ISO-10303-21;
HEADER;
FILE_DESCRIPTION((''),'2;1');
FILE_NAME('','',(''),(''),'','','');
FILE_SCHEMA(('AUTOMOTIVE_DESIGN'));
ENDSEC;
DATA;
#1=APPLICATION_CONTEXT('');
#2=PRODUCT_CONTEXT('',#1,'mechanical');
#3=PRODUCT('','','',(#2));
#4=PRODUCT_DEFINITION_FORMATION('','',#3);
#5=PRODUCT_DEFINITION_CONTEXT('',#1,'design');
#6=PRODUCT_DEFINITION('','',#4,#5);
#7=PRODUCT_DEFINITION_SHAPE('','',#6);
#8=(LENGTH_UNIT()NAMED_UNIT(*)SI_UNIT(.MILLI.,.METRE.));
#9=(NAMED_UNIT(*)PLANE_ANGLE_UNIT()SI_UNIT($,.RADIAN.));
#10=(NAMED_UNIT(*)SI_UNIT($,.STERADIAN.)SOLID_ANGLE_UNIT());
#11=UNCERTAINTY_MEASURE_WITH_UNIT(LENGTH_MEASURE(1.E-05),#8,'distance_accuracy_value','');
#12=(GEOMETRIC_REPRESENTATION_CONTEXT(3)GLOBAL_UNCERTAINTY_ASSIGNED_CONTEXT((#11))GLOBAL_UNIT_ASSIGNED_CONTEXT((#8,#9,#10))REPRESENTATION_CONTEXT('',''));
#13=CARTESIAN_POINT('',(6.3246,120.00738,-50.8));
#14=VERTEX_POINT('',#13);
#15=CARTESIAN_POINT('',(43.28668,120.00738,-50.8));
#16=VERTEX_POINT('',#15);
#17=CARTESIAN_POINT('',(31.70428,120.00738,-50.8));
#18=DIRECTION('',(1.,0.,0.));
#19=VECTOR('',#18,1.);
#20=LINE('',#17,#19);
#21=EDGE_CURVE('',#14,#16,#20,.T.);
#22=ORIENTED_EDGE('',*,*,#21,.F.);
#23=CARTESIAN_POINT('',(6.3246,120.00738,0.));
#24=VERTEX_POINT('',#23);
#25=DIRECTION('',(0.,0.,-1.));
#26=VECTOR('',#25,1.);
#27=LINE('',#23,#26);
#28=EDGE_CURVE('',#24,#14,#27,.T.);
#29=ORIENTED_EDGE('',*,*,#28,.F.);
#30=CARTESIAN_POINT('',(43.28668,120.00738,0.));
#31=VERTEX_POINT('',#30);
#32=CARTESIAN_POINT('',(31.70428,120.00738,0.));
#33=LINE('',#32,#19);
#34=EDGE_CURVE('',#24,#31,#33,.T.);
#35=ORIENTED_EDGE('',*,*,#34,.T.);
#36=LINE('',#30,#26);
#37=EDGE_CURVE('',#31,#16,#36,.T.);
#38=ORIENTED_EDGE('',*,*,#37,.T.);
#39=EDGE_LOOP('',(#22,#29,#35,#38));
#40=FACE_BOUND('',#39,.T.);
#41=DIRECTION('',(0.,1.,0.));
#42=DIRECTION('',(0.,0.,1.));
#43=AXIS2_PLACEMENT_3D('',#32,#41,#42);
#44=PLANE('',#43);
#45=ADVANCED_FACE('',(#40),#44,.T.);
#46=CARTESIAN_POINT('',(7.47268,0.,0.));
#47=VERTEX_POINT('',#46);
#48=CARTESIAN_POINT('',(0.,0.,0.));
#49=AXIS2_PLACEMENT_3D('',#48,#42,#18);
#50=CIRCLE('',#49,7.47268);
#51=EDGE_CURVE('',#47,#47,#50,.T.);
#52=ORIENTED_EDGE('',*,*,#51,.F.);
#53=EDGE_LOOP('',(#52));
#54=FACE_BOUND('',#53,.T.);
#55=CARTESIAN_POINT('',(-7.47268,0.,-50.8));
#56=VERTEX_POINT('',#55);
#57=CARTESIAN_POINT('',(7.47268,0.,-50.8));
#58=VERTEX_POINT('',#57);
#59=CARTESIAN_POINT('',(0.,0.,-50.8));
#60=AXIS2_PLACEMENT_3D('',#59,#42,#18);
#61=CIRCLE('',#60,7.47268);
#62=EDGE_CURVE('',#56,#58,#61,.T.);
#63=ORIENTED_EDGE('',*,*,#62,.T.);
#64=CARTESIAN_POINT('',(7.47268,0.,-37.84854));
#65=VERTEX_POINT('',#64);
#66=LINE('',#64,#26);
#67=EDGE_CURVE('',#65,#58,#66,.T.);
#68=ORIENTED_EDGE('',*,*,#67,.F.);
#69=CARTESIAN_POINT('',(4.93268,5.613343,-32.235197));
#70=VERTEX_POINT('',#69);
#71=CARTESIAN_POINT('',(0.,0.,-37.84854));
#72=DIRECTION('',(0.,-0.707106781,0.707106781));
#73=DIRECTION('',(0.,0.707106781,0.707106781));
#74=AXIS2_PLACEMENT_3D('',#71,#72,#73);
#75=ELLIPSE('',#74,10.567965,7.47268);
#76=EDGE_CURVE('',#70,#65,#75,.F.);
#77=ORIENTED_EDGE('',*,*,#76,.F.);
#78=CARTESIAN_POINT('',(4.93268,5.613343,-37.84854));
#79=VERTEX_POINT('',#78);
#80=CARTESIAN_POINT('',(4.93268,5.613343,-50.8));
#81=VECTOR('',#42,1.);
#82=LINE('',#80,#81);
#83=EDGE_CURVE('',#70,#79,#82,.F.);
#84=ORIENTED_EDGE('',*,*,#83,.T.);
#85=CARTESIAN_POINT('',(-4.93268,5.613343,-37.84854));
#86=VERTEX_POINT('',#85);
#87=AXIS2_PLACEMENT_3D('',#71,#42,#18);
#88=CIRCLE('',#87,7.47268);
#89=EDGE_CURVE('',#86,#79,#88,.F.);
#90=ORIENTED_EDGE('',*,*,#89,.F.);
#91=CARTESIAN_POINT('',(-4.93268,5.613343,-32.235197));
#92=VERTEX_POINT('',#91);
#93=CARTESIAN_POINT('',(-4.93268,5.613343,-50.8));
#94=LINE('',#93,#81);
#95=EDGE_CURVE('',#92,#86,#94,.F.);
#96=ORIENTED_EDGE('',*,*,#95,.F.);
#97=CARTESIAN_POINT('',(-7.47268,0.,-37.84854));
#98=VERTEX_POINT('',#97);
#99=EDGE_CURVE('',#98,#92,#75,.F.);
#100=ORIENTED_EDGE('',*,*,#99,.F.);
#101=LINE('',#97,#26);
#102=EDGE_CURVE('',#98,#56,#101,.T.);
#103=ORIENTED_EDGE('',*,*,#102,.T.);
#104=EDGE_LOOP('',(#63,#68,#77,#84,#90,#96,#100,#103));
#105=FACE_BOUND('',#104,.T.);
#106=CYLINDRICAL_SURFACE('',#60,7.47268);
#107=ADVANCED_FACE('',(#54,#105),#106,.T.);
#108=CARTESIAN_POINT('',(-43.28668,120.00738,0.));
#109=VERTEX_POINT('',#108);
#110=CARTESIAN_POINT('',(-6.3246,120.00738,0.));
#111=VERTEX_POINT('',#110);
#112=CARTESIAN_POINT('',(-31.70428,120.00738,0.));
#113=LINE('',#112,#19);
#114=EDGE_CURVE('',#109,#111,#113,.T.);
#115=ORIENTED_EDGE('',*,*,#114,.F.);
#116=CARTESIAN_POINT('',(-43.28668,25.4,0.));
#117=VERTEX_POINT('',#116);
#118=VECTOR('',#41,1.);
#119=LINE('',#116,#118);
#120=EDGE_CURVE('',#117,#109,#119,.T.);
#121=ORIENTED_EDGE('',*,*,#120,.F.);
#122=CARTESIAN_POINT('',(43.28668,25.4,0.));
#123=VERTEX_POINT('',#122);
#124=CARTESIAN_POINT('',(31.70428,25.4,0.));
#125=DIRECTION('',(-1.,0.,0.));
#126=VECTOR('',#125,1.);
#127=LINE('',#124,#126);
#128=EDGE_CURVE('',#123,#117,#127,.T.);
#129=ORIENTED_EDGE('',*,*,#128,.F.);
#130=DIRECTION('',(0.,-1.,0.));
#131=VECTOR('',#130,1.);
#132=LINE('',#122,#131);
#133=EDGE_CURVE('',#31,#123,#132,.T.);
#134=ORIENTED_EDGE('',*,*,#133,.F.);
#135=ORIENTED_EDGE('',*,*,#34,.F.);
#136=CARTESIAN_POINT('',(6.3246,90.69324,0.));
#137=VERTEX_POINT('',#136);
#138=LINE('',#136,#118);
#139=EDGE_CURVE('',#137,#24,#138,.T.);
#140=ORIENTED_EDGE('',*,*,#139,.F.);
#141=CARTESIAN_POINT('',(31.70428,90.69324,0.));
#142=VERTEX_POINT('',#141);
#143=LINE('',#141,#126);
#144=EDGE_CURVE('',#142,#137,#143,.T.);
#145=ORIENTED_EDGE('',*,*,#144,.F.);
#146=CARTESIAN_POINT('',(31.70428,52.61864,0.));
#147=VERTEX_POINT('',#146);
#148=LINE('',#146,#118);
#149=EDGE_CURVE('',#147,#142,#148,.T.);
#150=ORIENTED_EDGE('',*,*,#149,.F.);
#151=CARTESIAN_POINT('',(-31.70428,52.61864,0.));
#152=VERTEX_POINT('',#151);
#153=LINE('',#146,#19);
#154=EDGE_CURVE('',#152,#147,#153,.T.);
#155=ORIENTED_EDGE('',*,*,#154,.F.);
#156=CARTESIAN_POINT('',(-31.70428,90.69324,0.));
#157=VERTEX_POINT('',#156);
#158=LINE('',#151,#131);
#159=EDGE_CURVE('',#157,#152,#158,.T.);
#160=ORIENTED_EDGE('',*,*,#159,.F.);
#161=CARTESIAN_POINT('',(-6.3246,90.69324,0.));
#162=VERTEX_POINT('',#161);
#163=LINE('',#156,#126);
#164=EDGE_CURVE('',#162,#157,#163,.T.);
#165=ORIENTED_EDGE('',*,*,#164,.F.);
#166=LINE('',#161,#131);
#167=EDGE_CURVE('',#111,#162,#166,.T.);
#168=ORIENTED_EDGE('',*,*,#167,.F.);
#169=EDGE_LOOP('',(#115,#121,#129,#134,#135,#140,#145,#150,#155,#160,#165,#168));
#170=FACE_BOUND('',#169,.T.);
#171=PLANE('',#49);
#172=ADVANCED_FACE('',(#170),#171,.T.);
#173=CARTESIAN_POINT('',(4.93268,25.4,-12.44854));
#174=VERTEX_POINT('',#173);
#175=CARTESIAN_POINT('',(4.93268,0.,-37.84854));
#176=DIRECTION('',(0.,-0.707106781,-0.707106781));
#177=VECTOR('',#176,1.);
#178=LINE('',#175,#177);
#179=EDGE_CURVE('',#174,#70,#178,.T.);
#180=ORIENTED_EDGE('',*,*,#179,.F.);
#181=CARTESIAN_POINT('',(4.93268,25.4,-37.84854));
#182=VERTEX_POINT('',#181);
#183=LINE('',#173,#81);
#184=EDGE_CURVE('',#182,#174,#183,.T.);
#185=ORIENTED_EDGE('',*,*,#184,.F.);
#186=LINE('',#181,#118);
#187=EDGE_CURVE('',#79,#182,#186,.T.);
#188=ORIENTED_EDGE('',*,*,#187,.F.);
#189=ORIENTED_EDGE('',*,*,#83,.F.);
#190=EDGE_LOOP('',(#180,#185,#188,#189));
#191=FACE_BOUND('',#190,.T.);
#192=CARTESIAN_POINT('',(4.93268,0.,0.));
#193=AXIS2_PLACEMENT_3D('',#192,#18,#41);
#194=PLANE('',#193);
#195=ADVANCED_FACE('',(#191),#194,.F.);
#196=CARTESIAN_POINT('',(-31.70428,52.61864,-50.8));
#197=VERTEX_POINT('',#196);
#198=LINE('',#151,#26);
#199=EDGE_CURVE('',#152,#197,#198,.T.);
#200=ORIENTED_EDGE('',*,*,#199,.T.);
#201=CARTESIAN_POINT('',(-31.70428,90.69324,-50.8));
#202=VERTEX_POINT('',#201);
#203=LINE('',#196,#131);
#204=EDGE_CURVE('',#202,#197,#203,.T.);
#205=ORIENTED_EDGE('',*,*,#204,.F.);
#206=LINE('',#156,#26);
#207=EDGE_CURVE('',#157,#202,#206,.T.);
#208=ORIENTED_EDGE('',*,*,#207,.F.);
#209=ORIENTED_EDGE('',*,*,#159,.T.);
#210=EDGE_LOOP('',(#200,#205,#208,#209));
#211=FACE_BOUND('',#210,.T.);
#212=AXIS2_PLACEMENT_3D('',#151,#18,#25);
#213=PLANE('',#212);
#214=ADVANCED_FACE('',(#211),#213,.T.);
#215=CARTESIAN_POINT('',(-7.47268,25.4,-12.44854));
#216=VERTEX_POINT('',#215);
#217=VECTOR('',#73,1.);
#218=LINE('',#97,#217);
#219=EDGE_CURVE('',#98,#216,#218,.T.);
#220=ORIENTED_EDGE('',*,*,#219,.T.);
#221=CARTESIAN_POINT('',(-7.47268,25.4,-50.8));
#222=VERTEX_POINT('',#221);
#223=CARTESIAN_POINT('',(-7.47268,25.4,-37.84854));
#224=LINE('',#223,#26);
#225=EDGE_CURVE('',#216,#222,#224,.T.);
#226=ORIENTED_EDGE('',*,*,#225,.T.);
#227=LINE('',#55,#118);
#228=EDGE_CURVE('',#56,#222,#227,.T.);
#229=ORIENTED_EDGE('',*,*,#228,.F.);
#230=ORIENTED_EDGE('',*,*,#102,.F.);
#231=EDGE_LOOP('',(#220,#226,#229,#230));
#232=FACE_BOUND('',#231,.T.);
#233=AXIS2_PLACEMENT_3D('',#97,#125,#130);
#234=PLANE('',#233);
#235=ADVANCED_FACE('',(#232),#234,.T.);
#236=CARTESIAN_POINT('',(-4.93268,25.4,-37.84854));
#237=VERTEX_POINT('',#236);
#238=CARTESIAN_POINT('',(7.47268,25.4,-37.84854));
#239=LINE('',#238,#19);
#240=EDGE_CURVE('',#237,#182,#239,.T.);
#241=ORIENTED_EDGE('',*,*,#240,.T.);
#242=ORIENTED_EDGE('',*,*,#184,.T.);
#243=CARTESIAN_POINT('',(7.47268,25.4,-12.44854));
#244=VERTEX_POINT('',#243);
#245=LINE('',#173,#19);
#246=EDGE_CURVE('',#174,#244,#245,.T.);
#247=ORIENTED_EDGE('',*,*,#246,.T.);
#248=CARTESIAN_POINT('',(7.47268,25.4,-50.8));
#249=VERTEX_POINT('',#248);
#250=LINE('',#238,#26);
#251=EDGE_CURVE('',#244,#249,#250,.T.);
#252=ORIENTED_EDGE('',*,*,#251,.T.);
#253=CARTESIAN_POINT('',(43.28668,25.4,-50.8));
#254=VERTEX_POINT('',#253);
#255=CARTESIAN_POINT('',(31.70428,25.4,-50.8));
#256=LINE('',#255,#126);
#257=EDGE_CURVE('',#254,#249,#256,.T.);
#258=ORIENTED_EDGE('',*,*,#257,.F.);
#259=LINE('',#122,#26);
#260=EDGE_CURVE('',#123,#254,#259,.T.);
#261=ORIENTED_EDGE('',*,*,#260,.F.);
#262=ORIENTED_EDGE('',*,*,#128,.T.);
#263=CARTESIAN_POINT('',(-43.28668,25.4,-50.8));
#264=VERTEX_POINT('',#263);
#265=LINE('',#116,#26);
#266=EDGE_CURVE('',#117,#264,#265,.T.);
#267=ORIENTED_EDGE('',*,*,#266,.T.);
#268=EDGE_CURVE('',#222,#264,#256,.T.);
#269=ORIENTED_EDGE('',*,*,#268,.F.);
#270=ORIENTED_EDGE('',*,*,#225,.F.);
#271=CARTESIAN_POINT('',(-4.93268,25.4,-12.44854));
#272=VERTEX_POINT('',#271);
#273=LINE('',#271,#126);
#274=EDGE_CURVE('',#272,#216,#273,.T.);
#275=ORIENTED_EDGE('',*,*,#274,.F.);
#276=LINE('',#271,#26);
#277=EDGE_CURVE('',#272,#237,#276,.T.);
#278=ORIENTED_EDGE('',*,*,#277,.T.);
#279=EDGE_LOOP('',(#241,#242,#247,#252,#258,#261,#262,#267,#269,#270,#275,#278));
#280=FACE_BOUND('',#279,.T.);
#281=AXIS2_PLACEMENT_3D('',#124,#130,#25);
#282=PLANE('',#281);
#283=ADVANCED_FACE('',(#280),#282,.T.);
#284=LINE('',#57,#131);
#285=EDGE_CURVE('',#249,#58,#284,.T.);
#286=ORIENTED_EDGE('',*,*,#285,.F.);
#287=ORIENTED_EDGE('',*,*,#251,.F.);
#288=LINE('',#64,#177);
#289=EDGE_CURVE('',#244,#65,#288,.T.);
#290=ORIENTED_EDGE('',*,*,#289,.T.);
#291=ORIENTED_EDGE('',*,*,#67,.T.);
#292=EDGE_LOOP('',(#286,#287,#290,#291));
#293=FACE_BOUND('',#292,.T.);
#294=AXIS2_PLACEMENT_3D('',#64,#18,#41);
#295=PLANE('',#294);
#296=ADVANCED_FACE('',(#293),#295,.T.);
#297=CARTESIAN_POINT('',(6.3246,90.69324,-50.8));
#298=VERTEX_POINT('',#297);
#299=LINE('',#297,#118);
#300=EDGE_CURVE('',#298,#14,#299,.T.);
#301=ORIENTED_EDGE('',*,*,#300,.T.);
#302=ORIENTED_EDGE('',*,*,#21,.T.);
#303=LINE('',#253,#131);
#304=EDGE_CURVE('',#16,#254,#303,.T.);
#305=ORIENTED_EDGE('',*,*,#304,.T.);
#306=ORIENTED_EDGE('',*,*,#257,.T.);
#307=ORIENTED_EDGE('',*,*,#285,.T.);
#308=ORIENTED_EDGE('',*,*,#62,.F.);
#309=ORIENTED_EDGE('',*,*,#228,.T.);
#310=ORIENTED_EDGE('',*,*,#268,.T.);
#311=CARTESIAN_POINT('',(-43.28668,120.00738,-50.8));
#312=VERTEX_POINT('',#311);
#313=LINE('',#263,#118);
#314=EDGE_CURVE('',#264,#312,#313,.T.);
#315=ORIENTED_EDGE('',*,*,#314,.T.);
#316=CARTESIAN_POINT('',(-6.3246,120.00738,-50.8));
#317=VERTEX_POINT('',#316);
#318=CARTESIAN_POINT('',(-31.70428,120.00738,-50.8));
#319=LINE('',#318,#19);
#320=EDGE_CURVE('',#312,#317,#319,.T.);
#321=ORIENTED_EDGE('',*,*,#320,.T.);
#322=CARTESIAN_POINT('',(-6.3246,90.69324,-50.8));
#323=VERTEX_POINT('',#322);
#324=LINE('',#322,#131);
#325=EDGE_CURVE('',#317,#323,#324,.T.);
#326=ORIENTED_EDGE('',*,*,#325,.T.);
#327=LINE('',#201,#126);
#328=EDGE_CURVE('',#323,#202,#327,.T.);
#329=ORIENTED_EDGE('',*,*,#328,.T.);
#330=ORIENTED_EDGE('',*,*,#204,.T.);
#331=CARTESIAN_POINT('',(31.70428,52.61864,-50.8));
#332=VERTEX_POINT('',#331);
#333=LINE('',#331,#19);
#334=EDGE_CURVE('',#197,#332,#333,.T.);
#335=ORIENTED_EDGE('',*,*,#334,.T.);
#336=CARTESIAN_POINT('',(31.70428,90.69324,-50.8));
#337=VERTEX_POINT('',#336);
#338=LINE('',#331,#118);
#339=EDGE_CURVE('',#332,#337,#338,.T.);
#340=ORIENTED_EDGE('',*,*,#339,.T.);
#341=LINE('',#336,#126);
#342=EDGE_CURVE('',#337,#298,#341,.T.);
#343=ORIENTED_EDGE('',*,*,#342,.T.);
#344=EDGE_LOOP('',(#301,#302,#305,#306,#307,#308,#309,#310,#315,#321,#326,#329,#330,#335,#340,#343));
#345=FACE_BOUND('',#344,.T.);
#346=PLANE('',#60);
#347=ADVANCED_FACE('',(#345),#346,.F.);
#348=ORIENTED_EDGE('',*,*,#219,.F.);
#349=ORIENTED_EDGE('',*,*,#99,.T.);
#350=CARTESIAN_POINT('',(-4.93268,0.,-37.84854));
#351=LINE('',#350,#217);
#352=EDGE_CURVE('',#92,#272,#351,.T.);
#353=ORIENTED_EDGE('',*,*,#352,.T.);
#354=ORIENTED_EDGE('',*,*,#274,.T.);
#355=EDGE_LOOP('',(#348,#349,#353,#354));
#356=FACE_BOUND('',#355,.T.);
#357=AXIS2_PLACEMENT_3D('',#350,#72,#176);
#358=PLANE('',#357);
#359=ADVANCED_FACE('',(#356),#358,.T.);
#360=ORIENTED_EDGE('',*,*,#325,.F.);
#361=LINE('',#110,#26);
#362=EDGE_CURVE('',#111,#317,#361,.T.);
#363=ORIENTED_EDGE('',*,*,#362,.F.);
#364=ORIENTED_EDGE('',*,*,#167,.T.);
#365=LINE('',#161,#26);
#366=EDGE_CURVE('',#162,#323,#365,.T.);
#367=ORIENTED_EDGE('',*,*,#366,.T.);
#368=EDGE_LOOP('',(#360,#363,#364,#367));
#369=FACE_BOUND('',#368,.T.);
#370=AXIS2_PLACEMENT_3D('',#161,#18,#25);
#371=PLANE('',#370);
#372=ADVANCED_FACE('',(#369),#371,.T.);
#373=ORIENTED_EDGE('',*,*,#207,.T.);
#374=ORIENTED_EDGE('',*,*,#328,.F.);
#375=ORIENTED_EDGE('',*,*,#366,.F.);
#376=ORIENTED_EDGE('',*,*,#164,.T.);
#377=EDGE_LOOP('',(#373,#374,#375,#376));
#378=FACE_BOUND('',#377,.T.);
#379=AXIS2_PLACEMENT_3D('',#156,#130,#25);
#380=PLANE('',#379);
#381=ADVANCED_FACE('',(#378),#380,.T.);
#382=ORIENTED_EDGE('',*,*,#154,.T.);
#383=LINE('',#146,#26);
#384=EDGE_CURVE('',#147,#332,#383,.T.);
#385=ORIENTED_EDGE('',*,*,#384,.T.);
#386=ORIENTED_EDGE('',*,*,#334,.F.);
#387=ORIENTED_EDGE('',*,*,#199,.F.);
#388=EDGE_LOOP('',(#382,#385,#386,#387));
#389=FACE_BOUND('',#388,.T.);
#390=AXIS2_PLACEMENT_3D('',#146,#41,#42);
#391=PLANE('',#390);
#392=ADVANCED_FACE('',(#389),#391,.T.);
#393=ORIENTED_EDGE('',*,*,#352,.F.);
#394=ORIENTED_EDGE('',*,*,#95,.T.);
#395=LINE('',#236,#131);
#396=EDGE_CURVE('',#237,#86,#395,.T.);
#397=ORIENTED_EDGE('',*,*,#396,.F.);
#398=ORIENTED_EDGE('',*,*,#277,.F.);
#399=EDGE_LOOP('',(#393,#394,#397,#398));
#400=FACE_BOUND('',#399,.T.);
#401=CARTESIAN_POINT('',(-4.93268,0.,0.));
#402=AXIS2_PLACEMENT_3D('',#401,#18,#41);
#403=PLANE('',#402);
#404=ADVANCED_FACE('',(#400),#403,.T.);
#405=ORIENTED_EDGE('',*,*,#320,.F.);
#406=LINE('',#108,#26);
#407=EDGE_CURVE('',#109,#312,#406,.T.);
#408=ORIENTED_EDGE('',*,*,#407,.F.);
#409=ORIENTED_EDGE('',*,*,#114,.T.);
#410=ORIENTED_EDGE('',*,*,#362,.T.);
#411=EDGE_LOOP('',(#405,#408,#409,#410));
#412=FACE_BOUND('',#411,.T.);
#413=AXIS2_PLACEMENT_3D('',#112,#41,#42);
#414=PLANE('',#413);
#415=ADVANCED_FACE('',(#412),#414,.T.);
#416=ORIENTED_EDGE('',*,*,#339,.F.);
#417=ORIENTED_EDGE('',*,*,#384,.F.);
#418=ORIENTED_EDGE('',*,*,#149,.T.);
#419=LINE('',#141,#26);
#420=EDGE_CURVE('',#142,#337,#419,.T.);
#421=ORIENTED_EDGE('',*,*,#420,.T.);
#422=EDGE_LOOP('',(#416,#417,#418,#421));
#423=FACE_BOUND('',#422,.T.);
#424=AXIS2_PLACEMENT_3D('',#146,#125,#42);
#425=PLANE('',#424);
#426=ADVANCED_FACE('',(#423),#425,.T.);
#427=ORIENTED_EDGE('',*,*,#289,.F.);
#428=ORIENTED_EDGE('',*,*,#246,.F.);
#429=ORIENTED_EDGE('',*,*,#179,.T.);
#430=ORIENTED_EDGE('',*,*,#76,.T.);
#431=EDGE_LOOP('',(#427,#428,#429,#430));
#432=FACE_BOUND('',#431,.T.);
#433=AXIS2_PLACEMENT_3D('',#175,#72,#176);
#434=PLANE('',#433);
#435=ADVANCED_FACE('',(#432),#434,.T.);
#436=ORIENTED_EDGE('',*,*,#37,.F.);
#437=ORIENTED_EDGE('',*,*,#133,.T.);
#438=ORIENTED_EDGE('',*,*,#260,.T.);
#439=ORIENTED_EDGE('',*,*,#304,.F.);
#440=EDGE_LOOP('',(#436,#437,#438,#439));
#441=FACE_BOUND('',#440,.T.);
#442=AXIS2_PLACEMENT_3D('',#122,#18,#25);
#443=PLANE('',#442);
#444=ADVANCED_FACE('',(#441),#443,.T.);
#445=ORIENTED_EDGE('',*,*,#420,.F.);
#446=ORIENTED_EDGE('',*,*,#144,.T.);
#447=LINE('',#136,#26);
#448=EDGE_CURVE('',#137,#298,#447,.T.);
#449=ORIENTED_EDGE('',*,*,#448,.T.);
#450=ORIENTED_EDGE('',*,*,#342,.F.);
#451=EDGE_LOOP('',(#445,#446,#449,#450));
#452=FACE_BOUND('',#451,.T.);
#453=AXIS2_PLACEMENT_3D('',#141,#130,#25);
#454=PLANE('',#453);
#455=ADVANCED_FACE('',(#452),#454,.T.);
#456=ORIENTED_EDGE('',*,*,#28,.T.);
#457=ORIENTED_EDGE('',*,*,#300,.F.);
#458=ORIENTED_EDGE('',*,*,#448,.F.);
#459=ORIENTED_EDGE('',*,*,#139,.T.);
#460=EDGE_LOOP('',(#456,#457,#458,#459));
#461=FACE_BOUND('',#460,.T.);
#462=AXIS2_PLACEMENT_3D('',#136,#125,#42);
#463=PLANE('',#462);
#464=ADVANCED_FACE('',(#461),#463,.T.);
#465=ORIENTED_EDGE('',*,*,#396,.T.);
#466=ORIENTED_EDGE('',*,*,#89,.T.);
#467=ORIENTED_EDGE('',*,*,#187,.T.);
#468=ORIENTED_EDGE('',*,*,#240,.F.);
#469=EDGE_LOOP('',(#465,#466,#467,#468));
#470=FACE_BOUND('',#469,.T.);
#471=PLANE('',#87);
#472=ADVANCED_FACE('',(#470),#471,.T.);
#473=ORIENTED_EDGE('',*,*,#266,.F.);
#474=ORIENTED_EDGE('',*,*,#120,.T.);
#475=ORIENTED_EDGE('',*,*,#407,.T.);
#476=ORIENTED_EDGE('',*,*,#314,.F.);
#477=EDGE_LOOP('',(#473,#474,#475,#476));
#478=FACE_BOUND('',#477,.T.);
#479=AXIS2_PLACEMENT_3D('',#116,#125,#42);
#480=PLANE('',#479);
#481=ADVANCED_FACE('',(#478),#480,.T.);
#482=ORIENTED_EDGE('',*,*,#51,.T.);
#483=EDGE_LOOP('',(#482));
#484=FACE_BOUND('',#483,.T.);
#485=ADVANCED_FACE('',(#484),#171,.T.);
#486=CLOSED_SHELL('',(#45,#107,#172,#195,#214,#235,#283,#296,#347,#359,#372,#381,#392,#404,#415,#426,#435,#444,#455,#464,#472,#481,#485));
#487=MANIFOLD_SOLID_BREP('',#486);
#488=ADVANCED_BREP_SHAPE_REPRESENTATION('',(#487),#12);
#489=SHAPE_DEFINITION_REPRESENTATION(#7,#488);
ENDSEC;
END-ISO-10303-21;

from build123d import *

# Parameters (mm, degrees)
SKETCH1_R             = 7.47268
BOSS_EXTRUDE1_DEPTH   = 50.8
SKETCH2_W             = 14.94536
SKETCH2_H             = 25.4
BOSS_EXTRUDE2_DEPTH   = 12.95146
SKETCH3_W             = 63.40856
SKETCH3_H             = 27.21864
BOSS_EXTRUDE3_DEPTH   = 50.8
SKETCH5_W             = 11.5824
SKETCH5_H             = 38.0746
BOSS_EXTRUDE4_DEPTH   = 50.8
BOSS_EXTRUDE4_2_DEPTH = 50.8
SKETCH7_W             = 11.5824
SKETCH7_H             = 27.21864
BOSS_EXTRUDE5_DEPTH   = 50.8
SKETCH8_W             = 25.37968
SKETCH8_H             = 29.31414
BOSS_EXTRUDE6_DEPTH   = 50.8
BOSS_EXTRUDE6_2_DEPTH = 50.8
SKETCH9_W             = 11.5824
SKETCH9_H             = 29.31414
BOSS_EXTRUDE7_DEPTH   = 50.8
BOSS_EXTRUDE8_DEPTH   = 2.54
BOSS_EXTRUDE9_DEPTH   = 2.54


with BuildPart() as part:
    # Sketch1 → Boss-Extrude1 (new body)
    with BuildSketch(Plane.XY):
        Circle(SKETCH1_R)
    extrude(amount=-BOSS_EXTRUDE1_DEPTH)

    # Sketch2 → Boss-Extrude2 (add)
    with BuildSketch(Plane(origin=(0, 0, -50.8), x_dir=(-1, 0, 0), z_dir=(0, 0, -1))):
        with Locations((0, 12.7)):
            Rectangle(SKETCH2_W, SKETCH2_H)
    extrude(amount=-BOSS_EXTRUDE2_DEPTH)

    # Sketch3 → Boss-Extrude3 (add)
    with BuildSketch(Plane(origin=(0, 0, -50.8), x_dir=(-1, 0, 0), z_dir=(0, 0, -1))):
        with Locations((0, 39.00932)):
            Rectangle(SKETCH3_W, SKETCH3_H)
    extrude(amount=-BOSS_EXTRUDE3_DEPTH)



with BuildPart() as body_2:
    # Sketch5 → Boss-Extrude4 (new body)
    with BuildSketch(Plane(origin=(0, 0, -50.8), x_dir=(-1, 0, 0), z_dir=(0, 0, -1))):
        with Locations((-37.49548, 71.65594)):
            Rectangle(SKETCH5_W, SKETCH5_H)
    extrude(amount=-BOSS_EXTRUDE4_DEPTH)


with BuildPart() as body_3:
    # Sketch5 → Boss-Extrude4 2 (new body)
    with BuildSketch(Plane(origin=(0, 0, -50.8), x_dir=(-1, 0, 0), z_dir=(0, 0, -1))):
        with Locations((37.49548, 71.65594)):
            Rectangle(SKETCH5_W, SKETCH5_H)
    extrude(amount=-BOSS_EXTRUDE4_2_DEPTH)


with BuildPart() as part_1:
    add(part.part)

    add(body_2.part)  # Boss-Extrude5 merges body 2

    add(body_3.part)  # Boss-Extrude5 merges body 3
    # Sketch7 → Boss-Extrude5 (add)
    with BuildSketch(Plane(origin=(0, 0, -50.8), x_dir=(-1, 0, 0), z_dir=(0, 0, -1))):
        with Locations((-37.49548, 39.00932)):
            Rectangle(SKETCH7_W, SKETCH7_H)
        with Locations((37.49548, 39.00932)):
            Rectangle(SKETCH7_W, SKETCH7_H)
    extrude(amount=-BOSS_EXTRUDE5_DEPTH)



with BuildPart() as body_2_2:
    # Sketch8 → Boss-Extrude6 (new body)
    with BuildSketch(Plane(origin=(0, 0, -50.8), x_dir=(-1, 0, 0), z_dir=(0, 0, -1))):
        with Locations((-19.01444, 105.35031)):
            Rectangle(SKETCH8_W, SKETCH8_H)
    extrude(amount=-BOSS_EXTRUDE6_DEPTH)


with BuildPart() as body_3_2:
    # Sketch8 → Boss-Extrude6 2 (new body)
    with BuildSketch(Plane(origin=(0, 0, -50.8), x_dir=(-1, 0, 0), z_dir=(0, 0, -1))):
        with Locations((19.01444, 105.35031)):
            Rectangle(SKETCH8_W, SKETCH8_H)
    extrude(amount=-BOSS_EXTRUDE6_2_DEPTH)


with BuildPart() as part_2:
    add(part_1.part)

    add(body_2_2.part)  # Boss-Extrude7 merges body 2 2

    add(body_3_2.part)  # Boss-Extrude7 merges body 3 2
    # Sketch9 → Boss-Extrude7 (add)
    with BuildSketch(Plane(origin=(0, 0, -50.8), x_dir=(-1, 0, 0), z_dir=(0, 0, -1))):
        with Locations((-37.49548, 105.35031)):
            Rectangle(SKETCH9_W, SKETCH9_H)
        with Locations((37.49548, 105.35031)):
            Rectangle(SKETCH9_W, SKETCH9_H)
    extrude(amount=-BOSS_EXTRUDE7_DEPTH)

    # Sketch10 → Boss-Extrude8 (add)
    with BuildSketch(Plane.ZY.offset(7.47268)):
        Polygon((-37.84854, 0), (-12.44854, 25.4), (-37.84854, 25.4), align=None)
    extrude(amount=-BOSS_EXTRUDE8_DEPTH)

    # Sketch11 → Boss-Extrude9 (add)
    with BuildSketch(Plane(origin=(7.47268, 0, 0), x_dir=(0, 0, -1), z_dir=(1, 0, 0))):
        Polygon((37.84854, 0), (12.44854, 25.4), (37.84854, 25.4), align=None)
    extrude(amount=-BOSS_EXTRUDE9_DEPTH)


solid = part_2.part
